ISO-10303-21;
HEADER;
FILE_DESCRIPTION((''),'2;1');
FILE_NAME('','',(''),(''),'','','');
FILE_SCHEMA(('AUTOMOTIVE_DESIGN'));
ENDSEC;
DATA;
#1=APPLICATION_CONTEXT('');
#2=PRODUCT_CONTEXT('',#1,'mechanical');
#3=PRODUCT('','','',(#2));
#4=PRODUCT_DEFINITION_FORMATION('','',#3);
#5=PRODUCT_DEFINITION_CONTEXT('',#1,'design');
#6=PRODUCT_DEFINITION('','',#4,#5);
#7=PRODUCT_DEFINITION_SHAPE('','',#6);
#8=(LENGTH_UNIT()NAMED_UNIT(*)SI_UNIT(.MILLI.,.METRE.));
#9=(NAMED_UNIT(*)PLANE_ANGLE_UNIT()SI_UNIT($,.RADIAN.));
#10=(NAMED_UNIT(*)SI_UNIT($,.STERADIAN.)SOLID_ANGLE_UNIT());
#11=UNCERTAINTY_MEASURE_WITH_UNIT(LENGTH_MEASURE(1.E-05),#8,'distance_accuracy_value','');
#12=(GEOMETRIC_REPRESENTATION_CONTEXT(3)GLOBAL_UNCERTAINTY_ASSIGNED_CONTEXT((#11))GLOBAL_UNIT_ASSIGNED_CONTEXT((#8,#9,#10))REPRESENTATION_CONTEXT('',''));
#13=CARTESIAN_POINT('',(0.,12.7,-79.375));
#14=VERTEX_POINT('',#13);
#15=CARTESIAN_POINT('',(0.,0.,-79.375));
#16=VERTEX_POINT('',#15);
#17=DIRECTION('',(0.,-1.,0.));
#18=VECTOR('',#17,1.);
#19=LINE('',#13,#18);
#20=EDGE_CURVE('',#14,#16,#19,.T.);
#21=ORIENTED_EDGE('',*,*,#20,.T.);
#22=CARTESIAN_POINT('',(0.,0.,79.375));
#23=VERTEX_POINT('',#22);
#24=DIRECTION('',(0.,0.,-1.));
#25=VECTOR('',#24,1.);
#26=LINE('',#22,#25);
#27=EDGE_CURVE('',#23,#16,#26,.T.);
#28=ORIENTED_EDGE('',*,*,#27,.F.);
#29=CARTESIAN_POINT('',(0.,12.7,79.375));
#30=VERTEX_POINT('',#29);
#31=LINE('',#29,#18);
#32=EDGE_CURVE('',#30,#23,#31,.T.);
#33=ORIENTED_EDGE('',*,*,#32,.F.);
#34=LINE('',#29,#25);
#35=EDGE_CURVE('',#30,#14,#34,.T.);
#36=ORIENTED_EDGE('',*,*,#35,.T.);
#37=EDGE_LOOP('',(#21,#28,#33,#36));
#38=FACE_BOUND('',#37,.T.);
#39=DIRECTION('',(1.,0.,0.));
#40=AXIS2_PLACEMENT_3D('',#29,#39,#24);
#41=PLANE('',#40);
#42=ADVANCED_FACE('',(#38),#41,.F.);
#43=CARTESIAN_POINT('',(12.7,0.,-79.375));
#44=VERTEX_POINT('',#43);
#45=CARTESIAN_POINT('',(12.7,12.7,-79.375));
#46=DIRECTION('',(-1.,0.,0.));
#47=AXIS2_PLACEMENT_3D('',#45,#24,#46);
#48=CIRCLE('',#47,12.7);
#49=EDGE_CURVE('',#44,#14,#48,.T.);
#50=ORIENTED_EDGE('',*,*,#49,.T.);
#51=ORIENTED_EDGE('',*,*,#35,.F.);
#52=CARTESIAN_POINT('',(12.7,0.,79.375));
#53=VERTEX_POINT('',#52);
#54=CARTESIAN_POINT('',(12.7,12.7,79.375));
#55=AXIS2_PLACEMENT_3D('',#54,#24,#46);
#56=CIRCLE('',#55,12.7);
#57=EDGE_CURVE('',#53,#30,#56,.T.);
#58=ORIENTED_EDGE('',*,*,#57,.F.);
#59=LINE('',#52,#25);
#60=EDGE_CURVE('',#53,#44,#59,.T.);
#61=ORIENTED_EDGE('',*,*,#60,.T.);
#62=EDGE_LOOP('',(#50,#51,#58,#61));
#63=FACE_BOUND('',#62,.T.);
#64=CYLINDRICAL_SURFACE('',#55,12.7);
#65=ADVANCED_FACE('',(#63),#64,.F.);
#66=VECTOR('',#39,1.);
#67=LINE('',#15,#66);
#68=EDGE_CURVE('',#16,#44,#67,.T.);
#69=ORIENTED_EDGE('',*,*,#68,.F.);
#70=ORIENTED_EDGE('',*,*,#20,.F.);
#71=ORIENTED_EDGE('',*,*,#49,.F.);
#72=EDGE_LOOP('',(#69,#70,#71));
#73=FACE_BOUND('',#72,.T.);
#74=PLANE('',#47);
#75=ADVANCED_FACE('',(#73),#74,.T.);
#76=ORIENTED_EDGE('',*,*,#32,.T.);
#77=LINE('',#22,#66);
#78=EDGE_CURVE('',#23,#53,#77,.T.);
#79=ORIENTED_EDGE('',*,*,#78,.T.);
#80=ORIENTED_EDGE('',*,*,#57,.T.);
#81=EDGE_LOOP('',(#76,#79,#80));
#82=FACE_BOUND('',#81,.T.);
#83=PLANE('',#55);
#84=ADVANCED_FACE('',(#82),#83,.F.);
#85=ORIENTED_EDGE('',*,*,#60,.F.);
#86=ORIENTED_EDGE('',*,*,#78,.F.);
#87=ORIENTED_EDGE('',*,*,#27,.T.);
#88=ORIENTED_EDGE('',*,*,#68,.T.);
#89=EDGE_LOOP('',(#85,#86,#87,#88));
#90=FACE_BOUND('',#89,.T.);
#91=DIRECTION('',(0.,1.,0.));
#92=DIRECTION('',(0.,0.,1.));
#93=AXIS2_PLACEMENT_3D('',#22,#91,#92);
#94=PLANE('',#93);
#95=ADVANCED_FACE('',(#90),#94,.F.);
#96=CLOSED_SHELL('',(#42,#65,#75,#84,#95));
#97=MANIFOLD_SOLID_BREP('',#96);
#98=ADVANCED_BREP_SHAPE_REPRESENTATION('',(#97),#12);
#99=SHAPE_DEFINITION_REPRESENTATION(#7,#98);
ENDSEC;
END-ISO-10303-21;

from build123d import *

# Parameters (mm, degrees)
BOSS_EXTRUDE1_DEPTH = 79.375


with BuildPart() as part:
    # Sketch1 → Boss-Extrude1 (new, symmetric)
    with BuildSketch(Plane.XY):
        with BuildLine():
            Line((0, 12.7), (0, 0))
            Line((0, 0), (12.7, 0))
            ThreePointArc((12.7, 0), (3.719743879, 3.719743879), (0, 12.7))
        make_face()
    extrude(amount=BOSS_EXTRUDE1_DEPTH, both=True)


solid = part.part
